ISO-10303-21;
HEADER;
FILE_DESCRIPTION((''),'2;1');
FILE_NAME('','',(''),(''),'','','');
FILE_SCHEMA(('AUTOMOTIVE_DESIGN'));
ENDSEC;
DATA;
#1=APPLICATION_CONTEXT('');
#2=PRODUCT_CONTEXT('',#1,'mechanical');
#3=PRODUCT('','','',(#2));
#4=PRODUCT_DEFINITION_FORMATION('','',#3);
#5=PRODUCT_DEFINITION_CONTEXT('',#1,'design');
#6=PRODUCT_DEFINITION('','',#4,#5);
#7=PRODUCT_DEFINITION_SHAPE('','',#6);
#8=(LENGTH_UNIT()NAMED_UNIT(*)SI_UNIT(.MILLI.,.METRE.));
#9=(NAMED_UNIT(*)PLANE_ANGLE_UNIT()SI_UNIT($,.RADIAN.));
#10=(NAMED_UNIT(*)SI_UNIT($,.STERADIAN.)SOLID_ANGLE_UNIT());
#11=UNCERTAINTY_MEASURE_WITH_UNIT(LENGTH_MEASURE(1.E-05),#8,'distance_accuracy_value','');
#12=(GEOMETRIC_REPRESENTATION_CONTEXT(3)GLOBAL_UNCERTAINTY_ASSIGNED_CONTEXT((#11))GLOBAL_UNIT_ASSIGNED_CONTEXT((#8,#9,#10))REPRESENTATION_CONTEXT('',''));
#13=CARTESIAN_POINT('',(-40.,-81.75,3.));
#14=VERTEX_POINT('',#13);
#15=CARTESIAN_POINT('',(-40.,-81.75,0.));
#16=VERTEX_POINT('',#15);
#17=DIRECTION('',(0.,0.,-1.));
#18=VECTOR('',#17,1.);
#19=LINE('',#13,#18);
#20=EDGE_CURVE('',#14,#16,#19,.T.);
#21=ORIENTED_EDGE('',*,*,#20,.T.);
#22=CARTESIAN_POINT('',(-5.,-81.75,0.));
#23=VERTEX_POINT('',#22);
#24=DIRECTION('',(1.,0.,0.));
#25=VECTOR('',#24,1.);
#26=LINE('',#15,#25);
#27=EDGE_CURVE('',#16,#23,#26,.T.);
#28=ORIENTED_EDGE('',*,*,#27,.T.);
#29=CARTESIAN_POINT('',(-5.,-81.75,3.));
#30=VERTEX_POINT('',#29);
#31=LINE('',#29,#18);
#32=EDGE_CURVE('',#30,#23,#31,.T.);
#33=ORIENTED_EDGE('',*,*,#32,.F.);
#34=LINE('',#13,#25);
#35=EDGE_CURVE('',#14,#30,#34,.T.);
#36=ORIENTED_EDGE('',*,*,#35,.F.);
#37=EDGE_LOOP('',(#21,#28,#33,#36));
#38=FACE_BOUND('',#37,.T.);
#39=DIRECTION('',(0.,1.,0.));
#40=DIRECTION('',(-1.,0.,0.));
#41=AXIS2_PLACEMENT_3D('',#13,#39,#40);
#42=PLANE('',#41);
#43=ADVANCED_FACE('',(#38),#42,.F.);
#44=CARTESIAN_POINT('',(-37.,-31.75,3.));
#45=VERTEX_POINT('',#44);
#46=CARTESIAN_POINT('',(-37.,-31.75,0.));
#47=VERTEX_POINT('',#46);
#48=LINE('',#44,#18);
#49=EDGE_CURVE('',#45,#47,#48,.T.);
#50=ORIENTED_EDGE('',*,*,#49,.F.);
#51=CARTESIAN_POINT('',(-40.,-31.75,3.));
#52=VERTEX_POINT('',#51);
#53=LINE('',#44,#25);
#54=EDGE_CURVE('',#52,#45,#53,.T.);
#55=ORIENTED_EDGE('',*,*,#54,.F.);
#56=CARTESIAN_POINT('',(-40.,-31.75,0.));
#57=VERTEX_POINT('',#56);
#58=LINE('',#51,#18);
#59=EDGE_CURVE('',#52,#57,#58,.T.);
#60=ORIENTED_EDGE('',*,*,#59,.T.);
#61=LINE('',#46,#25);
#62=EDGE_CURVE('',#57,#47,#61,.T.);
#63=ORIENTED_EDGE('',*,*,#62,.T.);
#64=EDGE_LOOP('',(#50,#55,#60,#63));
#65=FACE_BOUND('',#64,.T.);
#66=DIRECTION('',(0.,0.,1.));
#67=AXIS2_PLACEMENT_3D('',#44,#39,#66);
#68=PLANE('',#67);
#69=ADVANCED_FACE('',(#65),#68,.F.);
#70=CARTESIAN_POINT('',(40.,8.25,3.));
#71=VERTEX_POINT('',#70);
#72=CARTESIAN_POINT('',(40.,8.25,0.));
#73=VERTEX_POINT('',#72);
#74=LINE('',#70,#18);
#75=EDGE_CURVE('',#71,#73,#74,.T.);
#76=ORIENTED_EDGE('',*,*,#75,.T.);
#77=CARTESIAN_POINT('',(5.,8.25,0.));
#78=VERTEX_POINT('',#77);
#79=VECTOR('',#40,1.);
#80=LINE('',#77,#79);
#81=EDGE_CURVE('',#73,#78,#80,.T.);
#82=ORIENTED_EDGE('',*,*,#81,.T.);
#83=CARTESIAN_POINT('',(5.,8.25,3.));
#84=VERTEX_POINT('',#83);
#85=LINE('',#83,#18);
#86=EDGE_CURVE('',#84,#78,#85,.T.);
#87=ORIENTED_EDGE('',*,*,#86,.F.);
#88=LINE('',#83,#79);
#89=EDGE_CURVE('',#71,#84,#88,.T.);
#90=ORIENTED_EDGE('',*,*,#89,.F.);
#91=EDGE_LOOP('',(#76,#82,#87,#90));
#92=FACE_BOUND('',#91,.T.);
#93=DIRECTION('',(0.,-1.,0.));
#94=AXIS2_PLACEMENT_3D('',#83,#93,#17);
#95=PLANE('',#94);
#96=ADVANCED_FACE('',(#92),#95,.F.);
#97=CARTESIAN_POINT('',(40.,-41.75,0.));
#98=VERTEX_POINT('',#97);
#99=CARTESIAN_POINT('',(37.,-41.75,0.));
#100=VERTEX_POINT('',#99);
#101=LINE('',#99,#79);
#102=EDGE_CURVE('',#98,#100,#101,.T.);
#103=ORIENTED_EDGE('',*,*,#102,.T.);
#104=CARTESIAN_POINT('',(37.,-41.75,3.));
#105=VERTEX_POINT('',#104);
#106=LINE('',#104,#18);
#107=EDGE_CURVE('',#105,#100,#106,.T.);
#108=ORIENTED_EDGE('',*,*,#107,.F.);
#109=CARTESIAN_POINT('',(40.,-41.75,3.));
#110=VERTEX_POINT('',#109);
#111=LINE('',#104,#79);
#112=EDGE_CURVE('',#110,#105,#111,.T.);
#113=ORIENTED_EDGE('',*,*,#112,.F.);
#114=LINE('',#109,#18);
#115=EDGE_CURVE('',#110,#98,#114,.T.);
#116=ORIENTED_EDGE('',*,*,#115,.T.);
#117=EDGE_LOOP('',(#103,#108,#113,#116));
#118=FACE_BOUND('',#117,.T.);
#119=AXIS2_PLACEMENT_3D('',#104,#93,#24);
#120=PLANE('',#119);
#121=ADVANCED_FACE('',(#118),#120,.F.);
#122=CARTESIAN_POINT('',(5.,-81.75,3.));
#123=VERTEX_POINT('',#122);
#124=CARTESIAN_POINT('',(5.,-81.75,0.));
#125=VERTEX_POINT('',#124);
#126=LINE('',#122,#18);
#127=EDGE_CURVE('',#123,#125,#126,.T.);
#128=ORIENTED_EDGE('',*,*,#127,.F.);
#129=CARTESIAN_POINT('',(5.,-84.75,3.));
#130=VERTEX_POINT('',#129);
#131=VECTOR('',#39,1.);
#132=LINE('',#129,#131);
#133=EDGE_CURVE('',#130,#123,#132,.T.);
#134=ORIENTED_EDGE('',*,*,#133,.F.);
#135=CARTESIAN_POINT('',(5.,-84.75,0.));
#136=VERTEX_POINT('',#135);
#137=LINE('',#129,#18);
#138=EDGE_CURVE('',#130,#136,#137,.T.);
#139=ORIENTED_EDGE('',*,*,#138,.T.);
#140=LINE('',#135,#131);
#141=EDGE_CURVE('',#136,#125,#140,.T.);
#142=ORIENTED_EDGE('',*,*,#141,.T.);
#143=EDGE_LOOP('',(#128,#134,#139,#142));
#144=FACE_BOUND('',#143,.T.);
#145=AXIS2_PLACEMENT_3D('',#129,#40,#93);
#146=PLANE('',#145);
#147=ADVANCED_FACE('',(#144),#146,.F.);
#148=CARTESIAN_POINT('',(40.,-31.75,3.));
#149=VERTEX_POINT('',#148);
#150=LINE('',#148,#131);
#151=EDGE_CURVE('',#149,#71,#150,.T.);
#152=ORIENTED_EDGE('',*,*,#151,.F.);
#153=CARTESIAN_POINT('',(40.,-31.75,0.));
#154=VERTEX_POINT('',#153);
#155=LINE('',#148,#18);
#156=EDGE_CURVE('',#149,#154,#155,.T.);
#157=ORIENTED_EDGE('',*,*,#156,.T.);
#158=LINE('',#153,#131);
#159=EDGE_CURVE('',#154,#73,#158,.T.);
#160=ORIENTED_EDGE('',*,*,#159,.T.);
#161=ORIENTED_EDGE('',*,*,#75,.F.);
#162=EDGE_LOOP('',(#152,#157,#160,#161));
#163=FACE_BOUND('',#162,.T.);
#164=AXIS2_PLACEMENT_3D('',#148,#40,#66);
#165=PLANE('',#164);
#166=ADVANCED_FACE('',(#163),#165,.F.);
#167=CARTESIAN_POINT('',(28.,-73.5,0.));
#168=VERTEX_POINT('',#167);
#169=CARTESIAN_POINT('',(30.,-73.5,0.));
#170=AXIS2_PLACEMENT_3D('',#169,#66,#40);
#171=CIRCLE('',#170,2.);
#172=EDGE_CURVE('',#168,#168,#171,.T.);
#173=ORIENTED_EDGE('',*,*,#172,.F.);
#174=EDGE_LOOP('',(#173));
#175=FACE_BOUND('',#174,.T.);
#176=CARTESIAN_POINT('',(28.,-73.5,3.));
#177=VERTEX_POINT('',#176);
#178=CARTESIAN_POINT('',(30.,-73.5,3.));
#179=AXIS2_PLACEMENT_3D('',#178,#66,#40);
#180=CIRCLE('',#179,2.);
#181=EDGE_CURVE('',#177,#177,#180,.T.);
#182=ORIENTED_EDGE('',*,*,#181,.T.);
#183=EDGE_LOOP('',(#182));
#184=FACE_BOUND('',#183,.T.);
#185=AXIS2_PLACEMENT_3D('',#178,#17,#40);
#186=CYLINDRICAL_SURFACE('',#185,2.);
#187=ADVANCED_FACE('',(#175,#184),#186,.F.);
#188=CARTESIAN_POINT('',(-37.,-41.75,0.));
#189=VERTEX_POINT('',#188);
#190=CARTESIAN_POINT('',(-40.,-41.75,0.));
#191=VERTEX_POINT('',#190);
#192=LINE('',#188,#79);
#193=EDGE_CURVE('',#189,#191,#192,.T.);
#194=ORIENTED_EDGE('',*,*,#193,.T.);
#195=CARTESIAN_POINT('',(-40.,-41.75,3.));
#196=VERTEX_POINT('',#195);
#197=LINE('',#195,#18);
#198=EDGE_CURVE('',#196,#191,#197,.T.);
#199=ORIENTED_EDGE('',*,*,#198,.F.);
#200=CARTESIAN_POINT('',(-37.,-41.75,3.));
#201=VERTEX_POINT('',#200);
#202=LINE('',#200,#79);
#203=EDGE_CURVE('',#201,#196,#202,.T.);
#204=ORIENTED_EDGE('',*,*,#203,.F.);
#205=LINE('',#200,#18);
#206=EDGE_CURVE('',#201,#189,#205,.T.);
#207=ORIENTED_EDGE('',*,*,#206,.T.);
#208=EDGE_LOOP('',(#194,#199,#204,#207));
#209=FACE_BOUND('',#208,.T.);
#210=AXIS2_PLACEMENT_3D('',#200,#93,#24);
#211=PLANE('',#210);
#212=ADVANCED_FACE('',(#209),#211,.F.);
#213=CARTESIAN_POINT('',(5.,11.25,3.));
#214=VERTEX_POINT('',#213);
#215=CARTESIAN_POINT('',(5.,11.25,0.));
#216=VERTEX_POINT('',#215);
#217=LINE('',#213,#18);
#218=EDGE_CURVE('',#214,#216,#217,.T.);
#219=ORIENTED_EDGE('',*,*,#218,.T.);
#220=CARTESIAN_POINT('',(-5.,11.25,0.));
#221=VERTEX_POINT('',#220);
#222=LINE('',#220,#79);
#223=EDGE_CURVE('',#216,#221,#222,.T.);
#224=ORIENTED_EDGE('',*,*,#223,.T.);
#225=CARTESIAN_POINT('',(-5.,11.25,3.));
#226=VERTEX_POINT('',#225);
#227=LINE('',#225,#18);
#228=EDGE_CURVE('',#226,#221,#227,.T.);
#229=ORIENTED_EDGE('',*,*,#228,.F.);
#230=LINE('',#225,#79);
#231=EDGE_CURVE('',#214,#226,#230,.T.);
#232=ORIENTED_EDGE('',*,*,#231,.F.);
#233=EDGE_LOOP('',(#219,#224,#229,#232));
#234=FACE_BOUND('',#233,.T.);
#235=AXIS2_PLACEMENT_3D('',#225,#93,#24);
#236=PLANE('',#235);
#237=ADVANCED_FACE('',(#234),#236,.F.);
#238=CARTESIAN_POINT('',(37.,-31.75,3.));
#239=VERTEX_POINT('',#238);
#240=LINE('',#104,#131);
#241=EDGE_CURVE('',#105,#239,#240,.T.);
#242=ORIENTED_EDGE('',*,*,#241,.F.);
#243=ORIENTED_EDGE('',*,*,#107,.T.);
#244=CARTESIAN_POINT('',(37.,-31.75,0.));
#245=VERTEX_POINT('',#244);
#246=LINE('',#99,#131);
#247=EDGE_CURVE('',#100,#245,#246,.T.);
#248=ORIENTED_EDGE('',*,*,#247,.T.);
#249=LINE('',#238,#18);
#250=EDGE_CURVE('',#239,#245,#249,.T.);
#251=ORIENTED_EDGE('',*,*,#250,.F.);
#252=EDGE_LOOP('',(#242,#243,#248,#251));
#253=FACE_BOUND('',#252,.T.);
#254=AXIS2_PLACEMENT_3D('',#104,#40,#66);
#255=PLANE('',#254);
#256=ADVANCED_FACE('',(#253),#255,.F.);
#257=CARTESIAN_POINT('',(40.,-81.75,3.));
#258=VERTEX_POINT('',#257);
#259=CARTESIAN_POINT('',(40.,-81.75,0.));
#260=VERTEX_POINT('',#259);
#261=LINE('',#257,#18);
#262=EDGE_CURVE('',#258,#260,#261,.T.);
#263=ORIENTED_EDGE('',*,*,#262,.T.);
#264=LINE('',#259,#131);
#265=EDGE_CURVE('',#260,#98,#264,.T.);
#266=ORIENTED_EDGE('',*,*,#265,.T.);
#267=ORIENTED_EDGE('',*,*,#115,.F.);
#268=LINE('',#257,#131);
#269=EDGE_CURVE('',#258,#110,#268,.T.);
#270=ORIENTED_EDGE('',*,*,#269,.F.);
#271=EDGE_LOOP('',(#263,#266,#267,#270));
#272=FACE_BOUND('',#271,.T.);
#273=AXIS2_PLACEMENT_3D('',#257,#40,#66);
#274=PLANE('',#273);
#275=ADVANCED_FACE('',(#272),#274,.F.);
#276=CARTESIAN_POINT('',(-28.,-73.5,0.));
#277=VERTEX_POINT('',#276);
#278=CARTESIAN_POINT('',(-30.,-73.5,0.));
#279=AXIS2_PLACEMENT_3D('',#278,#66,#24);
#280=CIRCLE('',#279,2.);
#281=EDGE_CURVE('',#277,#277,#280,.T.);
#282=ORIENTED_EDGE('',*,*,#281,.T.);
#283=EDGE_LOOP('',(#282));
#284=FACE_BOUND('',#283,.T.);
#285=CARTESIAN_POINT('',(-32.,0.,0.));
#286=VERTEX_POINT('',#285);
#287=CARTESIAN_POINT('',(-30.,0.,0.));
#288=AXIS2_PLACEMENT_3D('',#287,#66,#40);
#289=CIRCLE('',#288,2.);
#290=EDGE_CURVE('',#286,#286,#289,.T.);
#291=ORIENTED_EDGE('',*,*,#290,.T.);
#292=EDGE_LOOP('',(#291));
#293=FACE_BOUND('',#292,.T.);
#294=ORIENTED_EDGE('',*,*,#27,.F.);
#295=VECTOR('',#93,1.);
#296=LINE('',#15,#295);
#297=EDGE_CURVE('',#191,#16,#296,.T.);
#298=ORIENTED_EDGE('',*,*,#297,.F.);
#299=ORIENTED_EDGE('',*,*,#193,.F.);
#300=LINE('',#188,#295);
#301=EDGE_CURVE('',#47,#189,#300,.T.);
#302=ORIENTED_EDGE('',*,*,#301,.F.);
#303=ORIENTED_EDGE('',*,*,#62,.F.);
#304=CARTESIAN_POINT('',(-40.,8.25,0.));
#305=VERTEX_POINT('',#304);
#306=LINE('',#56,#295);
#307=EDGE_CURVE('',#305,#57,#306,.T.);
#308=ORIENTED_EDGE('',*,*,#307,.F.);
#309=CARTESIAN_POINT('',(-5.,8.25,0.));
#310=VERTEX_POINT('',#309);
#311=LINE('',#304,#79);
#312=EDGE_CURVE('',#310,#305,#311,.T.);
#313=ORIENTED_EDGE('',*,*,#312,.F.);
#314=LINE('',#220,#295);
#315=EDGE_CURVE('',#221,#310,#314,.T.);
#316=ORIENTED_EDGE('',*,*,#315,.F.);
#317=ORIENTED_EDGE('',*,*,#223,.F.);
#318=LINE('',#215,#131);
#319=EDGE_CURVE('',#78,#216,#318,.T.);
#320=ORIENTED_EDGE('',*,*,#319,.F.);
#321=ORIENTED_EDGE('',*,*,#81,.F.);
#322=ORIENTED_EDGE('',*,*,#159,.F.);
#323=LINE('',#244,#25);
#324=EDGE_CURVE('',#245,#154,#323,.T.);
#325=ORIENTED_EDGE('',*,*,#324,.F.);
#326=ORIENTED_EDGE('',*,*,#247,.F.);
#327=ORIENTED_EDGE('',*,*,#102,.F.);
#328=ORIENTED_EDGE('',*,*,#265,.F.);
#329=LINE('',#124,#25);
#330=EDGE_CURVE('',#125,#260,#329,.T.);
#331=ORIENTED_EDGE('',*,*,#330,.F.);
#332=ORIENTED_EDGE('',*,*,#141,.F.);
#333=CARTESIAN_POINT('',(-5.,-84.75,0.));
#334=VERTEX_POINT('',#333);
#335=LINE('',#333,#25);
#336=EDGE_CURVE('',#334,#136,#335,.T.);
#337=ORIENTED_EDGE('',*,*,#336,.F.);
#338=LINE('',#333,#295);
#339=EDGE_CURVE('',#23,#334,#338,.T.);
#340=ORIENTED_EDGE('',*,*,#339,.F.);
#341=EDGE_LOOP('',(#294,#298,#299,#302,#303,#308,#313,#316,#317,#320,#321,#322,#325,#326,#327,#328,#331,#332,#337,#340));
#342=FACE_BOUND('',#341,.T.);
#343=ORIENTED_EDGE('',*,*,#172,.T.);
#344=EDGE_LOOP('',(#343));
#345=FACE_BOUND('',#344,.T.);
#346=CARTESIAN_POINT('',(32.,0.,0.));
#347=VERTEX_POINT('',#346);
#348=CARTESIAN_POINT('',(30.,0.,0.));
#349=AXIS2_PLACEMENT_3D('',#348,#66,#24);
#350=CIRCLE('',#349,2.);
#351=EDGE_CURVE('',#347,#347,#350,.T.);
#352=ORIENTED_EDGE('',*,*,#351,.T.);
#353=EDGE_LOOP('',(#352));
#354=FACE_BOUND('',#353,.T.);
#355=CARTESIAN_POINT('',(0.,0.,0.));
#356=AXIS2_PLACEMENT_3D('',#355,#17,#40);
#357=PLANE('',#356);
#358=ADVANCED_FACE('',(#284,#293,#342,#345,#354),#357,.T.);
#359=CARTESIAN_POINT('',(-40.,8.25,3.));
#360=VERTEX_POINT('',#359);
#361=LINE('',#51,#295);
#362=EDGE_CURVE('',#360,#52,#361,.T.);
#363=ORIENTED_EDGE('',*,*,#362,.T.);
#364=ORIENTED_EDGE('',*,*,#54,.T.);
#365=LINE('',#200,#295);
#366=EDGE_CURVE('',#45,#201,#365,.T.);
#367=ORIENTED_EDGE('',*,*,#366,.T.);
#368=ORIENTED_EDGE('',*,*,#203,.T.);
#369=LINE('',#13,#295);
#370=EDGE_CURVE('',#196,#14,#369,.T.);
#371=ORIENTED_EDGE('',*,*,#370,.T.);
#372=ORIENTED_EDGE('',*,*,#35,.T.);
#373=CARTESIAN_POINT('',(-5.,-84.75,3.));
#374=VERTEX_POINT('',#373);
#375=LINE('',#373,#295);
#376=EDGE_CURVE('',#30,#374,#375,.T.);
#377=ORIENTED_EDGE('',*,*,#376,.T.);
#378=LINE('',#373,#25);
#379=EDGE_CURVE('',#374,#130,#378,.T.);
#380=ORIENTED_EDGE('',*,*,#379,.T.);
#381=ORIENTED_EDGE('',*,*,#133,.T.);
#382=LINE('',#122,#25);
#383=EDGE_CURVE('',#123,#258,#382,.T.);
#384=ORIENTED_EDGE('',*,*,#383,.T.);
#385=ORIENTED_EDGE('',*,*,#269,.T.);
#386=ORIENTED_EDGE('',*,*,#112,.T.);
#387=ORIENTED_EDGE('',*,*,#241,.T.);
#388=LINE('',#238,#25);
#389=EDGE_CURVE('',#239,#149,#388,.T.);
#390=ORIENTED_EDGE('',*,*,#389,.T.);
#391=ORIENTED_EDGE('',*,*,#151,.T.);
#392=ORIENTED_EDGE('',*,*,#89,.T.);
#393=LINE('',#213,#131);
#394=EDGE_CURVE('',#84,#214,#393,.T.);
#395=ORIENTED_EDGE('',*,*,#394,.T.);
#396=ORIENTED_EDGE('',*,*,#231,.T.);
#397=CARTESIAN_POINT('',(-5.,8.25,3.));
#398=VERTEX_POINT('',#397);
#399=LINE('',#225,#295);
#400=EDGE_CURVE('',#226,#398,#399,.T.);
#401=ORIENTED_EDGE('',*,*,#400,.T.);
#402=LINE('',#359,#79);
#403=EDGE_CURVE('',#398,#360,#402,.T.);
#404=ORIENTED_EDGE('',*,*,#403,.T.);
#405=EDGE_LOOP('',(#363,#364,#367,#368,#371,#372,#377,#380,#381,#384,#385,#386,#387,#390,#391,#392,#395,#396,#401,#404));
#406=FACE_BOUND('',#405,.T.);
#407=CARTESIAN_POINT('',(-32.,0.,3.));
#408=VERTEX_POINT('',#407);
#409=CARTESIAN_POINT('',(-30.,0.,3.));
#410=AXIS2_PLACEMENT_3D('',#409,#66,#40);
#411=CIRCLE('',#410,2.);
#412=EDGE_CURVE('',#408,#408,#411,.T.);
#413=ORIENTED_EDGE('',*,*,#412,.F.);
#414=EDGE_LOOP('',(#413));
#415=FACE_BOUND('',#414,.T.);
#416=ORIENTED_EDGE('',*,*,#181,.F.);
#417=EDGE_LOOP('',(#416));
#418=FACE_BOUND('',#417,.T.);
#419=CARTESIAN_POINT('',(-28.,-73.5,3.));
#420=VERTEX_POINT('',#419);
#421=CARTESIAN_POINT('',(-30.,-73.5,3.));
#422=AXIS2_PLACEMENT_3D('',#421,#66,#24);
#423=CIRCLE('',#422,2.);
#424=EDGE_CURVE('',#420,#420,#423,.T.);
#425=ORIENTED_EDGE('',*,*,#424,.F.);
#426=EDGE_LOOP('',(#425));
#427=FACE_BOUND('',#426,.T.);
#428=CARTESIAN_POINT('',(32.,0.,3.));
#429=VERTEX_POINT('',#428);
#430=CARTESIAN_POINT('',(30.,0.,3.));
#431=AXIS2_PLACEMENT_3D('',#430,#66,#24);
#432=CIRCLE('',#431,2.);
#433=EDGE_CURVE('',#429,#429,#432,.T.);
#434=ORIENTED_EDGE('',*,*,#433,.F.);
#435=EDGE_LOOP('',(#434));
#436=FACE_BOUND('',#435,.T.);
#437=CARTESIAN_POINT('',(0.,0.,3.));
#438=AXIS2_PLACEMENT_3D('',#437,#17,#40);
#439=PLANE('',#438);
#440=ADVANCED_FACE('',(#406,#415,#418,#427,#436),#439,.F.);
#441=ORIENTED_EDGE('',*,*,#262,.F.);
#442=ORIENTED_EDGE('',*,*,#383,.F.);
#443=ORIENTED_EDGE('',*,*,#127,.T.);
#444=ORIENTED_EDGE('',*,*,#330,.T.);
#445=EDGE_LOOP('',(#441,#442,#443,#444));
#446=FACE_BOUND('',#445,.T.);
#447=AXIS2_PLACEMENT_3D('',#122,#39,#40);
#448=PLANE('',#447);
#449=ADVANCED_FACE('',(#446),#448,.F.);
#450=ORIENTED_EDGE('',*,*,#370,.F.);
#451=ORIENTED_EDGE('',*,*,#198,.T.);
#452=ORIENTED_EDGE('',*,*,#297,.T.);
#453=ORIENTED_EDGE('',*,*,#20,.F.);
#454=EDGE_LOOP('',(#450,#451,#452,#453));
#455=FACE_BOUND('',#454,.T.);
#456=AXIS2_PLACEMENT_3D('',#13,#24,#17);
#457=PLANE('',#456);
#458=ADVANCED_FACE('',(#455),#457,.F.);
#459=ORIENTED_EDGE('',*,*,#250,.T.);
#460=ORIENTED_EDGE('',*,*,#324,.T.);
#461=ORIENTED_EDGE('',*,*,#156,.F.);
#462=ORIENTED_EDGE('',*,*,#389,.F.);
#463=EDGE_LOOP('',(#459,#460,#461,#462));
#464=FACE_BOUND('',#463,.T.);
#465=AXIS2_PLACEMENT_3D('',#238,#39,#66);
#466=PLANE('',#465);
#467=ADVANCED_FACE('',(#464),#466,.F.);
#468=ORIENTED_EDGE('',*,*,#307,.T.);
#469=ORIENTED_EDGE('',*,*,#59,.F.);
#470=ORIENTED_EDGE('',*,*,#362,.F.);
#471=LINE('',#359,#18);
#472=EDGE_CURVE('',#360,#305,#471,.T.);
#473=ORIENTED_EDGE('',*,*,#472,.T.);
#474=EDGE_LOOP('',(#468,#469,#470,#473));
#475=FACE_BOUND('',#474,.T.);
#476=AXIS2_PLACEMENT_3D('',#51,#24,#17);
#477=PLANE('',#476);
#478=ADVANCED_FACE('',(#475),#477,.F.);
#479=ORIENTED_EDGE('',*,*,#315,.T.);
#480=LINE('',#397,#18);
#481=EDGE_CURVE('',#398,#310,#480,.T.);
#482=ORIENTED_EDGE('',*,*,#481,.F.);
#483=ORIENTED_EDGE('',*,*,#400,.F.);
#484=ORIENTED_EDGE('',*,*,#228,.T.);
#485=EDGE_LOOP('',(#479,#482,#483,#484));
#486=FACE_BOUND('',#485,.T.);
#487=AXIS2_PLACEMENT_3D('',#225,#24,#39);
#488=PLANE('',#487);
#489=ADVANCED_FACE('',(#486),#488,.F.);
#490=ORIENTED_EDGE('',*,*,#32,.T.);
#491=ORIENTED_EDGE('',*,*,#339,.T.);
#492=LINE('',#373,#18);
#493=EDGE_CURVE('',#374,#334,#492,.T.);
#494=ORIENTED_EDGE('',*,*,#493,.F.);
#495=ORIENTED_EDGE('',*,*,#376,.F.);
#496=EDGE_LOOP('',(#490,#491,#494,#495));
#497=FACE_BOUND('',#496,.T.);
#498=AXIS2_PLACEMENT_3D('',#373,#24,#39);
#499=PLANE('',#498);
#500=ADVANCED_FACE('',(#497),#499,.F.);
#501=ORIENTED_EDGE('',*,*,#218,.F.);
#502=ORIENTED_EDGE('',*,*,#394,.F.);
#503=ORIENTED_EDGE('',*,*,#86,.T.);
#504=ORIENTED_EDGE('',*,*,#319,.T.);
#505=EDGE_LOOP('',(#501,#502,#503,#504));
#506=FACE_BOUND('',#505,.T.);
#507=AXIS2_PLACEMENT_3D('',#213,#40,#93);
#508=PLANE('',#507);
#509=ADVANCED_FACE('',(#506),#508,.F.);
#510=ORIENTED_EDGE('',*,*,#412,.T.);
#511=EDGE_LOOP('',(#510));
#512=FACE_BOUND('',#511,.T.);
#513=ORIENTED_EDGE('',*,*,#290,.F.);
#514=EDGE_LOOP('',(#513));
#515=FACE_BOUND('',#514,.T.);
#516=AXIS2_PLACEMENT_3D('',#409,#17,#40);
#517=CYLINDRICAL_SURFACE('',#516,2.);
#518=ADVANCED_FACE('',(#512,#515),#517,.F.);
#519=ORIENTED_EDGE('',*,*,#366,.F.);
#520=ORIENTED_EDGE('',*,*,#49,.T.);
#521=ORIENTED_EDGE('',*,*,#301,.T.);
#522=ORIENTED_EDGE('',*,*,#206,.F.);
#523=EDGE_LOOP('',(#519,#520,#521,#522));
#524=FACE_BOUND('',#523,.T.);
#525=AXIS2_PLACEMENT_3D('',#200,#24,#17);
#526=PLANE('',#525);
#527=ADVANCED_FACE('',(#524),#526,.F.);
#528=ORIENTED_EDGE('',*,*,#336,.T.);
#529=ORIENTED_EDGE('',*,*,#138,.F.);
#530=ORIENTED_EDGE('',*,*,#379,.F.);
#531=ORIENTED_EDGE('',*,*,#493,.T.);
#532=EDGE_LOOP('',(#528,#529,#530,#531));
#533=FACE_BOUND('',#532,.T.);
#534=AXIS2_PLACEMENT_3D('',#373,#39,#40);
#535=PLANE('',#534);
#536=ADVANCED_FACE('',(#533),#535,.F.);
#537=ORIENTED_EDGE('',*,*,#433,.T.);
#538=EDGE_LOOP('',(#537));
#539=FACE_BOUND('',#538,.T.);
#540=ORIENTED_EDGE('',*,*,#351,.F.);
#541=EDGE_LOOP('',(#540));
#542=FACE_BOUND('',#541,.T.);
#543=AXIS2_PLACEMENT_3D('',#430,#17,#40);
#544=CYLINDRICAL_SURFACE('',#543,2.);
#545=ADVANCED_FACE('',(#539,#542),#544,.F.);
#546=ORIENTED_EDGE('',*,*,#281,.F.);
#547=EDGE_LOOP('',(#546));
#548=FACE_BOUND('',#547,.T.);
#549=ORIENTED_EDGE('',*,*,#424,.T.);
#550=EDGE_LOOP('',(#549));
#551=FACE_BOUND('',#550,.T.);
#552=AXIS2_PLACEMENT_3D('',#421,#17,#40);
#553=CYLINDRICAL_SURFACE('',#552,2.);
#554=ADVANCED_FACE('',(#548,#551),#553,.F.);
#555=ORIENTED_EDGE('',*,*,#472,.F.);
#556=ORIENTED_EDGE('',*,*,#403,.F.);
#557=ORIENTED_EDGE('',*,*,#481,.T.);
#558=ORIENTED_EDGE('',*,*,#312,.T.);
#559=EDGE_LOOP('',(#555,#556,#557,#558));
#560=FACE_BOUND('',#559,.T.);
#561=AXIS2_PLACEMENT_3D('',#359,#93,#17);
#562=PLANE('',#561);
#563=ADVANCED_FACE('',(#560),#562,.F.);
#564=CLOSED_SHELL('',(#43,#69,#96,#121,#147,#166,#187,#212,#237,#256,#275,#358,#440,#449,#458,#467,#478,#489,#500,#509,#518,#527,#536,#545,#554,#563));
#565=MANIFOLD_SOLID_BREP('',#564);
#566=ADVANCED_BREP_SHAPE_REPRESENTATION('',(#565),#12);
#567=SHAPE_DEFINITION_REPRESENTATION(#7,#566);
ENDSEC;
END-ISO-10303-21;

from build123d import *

# Parameters (mm, degrees)
SKETCH1_R           = 2
BOSS_EXTRUDE1_DEPTH = 3


with BuildPart() as part:
    # Sketch1 → Boss-Extrude1 (new body)
    with BuildSketch(Plane.XY):
        Polygon((5, 8.25), (40, 8.25), (40, -31.75), (37, -31.75), (37, -41.75), (40, -41.75), (40, -81.75), (5, -81.75), (5, -84.75), (-5, -84.75), (-5, -81.75), (-40, -81.75), (-40, -41.75), (-37, -41.75), (-37, -31.75), (-40, -31.75), (-40, 8.25), (-5, 8.25), (-5, 11.25), (5, 11.25), align=None)
        with Locations((30, 0)):
            Circle(SKETCH1_R, mode=Mode.SUBTRACT)
        with Locations(Location((30, -73.5, 0), (0, 0, 180))):
            Circle(SKETCH1_R, mode=Mode.SUBTRACT)
        with Locations((-30, -73.5)):
            Circle(SKETCH1_R, mode=Mode.SUBTRACT)
        with Locations(Location((-30, 0, 0), (0, 0, 180))):
            Circle(SKETCH1_R, mode=Mode.SUBTRACT)
    extrude(amount=BOSS_EXTRUDE1_DEPTH)


solid = part.part
